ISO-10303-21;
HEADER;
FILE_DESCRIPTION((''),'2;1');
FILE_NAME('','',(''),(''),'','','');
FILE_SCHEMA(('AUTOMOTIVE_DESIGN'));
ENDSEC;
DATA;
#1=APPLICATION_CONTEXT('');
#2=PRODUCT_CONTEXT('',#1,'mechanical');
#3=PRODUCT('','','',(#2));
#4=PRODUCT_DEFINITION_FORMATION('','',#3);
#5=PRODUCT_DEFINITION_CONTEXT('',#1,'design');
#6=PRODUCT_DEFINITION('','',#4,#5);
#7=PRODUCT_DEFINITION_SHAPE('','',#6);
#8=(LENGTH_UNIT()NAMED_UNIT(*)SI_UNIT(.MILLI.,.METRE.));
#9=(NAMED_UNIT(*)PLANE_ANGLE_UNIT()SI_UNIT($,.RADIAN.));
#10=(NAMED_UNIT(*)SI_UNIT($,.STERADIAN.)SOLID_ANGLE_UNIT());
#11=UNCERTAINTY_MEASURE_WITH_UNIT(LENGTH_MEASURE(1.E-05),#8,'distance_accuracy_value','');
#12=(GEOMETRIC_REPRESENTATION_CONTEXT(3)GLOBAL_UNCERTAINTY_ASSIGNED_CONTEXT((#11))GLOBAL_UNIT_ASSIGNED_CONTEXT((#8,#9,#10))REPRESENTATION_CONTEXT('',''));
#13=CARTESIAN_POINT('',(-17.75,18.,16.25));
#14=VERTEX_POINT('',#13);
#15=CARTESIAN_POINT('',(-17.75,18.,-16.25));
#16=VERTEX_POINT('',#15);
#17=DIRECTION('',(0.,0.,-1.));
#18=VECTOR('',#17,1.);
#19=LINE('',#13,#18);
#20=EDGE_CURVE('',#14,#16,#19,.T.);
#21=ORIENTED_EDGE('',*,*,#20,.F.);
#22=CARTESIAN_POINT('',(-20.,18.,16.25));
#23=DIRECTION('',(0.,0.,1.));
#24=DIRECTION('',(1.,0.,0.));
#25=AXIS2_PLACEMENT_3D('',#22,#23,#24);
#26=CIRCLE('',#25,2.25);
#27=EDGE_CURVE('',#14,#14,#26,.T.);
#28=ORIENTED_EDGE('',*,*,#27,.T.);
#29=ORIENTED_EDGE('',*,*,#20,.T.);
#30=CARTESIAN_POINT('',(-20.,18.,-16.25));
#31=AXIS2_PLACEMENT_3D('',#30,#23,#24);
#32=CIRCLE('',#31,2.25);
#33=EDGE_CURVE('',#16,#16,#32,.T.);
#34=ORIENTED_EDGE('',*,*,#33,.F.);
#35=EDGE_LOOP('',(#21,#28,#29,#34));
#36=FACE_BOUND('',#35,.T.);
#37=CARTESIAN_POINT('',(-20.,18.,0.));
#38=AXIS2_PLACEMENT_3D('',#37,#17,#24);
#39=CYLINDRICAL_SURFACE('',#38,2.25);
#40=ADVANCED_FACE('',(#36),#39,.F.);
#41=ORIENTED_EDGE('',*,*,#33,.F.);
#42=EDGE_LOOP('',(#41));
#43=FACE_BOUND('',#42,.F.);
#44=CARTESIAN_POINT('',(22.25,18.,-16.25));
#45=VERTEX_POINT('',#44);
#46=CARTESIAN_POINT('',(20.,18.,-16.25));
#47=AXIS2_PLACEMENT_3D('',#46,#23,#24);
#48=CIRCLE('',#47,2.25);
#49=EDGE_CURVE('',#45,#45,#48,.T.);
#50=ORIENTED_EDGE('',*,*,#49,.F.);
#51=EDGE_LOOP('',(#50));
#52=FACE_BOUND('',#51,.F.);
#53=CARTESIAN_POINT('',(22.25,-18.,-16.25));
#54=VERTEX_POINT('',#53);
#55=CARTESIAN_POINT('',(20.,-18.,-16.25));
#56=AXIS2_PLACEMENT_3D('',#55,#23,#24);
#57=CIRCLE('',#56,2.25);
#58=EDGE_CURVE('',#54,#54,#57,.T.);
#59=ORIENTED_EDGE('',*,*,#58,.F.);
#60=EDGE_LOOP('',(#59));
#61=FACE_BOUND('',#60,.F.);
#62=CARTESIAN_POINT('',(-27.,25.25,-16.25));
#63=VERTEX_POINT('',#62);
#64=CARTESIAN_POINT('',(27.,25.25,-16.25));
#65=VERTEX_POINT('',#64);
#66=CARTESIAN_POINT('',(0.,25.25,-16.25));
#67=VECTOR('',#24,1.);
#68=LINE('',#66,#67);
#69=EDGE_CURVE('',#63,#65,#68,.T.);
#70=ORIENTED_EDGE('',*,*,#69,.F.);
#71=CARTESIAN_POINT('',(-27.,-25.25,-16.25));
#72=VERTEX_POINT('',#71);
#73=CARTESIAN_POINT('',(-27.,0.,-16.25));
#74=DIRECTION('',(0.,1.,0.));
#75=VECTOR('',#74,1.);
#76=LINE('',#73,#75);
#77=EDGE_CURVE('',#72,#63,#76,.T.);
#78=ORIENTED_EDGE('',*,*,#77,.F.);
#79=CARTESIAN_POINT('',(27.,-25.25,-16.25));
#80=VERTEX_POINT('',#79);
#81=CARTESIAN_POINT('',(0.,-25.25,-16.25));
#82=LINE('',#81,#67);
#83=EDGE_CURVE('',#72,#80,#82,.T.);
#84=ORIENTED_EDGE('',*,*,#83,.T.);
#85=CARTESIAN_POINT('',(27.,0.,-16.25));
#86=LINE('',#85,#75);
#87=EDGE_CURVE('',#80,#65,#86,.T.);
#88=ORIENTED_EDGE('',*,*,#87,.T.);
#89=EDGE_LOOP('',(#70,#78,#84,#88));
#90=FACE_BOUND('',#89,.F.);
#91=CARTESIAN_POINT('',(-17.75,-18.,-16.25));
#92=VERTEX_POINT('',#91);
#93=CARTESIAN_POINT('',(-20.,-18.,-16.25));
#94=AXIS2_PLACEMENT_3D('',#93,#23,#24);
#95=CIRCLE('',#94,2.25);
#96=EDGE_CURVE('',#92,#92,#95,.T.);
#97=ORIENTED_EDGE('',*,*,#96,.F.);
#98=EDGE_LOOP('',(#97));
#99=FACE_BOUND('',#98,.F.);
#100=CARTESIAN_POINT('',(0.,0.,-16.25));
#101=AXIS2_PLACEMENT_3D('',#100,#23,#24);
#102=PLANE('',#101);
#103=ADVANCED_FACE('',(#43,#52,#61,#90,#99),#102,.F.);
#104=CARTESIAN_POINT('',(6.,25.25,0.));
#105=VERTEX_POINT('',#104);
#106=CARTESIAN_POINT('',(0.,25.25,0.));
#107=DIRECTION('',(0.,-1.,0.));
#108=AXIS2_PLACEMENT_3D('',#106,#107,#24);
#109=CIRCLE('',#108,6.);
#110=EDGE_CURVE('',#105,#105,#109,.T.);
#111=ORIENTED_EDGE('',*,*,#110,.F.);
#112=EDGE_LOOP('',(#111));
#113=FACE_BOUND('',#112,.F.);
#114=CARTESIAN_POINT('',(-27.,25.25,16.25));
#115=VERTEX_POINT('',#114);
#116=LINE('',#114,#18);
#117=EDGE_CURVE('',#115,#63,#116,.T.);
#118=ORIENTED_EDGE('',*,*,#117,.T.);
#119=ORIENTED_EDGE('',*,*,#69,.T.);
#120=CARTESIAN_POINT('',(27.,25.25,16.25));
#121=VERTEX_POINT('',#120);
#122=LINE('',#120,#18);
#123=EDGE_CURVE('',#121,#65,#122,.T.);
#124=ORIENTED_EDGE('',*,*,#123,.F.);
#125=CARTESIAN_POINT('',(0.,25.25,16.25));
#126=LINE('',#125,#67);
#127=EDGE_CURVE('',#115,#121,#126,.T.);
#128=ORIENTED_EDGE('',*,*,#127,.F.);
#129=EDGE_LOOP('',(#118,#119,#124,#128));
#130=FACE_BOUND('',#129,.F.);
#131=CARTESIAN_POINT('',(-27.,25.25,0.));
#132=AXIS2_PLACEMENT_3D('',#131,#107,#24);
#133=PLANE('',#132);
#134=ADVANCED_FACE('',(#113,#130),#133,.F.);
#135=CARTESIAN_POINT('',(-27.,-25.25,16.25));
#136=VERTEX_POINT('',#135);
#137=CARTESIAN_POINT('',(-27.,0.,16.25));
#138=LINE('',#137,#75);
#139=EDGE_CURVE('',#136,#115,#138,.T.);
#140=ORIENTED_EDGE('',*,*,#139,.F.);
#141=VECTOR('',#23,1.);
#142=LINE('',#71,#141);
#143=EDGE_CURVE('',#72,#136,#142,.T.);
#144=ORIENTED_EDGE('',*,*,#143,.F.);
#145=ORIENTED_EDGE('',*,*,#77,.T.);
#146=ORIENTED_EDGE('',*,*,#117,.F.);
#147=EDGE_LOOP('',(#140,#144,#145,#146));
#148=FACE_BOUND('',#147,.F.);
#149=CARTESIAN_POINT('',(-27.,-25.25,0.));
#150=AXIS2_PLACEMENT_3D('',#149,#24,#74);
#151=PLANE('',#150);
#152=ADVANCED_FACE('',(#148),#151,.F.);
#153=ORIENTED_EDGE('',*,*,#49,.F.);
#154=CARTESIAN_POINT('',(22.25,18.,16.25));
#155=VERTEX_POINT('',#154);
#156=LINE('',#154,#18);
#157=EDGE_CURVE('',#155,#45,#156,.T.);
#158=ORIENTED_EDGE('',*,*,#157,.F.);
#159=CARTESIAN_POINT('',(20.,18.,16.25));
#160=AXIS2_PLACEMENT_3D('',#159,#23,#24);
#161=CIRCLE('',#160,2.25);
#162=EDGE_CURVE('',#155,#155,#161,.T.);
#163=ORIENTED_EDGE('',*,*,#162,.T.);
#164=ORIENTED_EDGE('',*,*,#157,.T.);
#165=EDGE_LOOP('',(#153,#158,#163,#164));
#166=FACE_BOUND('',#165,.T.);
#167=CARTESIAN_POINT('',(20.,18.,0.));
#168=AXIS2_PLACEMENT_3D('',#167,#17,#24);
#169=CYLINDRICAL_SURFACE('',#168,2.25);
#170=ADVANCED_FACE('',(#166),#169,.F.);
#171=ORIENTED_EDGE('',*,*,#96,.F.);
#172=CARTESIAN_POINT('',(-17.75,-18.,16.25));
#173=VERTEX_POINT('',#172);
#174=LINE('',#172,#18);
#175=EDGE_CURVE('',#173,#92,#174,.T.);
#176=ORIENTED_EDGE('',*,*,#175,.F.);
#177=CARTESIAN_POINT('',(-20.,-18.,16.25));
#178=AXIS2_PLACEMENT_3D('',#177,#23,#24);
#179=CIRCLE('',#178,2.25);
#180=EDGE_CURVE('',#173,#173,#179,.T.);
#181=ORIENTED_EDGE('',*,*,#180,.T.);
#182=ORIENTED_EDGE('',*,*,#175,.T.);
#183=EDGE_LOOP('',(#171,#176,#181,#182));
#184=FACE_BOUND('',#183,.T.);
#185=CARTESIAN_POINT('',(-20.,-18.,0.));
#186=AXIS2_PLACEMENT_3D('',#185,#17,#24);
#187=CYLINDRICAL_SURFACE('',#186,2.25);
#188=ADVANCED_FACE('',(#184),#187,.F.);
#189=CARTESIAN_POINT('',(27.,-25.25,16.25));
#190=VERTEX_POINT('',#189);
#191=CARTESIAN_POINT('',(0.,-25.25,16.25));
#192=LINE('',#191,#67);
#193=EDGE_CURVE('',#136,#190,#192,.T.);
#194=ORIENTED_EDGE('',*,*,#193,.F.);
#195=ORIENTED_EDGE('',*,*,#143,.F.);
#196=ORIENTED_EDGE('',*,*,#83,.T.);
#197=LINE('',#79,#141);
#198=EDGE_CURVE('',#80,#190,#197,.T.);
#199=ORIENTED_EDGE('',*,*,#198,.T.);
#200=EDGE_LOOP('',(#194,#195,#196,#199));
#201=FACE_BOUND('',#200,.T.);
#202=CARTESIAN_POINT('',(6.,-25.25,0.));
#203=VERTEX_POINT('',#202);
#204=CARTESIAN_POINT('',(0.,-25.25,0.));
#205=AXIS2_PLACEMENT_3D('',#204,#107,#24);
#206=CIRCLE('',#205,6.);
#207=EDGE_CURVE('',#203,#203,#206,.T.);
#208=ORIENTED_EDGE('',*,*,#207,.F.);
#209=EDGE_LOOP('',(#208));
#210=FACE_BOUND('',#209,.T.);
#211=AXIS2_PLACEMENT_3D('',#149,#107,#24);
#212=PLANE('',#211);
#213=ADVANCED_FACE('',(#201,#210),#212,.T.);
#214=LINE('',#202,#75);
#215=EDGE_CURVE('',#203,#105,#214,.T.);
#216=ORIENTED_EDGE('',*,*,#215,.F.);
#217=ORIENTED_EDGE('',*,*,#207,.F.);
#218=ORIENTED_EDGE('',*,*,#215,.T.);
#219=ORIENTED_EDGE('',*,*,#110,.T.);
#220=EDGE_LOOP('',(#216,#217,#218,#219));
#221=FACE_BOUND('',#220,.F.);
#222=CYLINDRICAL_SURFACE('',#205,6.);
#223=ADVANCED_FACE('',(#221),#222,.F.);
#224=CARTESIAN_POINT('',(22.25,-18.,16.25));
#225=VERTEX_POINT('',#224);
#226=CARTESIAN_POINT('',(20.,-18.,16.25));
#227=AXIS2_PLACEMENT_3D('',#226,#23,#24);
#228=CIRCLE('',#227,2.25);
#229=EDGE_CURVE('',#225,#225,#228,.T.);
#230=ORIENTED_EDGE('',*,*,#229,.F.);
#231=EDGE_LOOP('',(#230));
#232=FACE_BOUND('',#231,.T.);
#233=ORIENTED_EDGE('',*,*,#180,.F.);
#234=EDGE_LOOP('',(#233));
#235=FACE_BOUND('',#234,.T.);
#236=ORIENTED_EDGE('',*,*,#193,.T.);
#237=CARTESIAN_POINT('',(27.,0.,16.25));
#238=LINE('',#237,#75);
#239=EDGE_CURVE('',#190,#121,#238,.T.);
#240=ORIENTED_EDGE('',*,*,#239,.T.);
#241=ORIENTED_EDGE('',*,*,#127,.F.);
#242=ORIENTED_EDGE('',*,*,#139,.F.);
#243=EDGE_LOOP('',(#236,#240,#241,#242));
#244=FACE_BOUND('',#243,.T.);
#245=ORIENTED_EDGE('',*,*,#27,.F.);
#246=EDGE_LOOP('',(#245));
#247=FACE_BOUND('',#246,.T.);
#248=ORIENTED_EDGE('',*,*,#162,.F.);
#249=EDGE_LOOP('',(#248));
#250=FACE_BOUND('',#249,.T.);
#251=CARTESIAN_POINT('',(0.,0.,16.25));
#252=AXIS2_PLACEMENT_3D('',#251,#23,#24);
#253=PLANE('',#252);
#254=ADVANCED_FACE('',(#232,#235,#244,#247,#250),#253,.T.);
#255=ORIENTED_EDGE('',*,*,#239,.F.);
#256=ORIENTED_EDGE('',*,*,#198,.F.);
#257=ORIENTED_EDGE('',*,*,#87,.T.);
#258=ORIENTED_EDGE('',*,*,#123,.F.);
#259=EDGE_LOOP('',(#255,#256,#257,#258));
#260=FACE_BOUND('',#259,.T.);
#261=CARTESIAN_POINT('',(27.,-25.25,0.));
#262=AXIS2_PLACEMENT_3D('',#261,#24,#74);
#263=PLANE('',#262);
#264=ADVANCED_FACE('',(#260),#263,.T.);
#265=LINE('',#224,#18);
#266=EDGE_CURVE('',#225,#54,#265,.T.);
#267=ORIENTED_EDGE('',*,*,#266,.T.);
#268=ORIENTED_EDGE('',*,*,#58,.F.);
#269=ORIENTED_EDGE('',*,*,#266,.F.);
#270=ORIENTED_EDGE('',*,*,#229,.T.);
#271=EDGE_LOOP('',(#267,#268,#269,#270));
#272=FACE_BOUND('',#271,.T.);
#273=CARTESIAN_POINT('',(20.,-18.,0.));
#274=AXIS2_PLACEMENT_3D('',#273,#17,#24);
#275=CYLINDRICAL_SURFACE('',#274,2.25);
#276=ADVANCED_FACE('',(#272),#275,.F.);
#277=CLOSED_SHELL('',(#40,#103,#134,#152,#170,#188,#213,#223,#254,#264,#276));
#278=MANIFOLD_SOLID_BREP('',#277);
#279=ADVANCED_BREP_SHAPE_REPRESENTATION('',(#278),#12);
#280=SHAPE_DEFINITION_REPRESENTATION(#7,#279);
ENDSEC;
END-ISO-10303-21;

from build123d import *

# Parameters (mm, degrees)
SKETCH_W     = 54
SKETCH_H     = 50.5
SKETCH_R     = 2.25
PAD_DEPTH    = 16.25
SKETCH001_R  = 6
POCKET_DEPTH = 50.5


with BuildPart() as part:
    # Sketch → Pad (new body, symmetric)
    with BuildSketch(Plane.XY):
        Rectangle(SKETCH_W, SKETCH_H)
        with Locations((-20, 18)):
            Circle(SKETCH_R, mode=Mode.SUBTRACT)
        with Locations((-20, -18)):
            Circle(SKETCH_R, mode=Mode.SUBTRACT)
        with Locations((20, 18)):
            Circle(SKETCH_R, mode=Mode.SUBTRACT)
        with Locations((20, -18)):
            Circle(SKETCH_R, mode=Mode.SUBTRACT)
    extrude(amount=PAD_DEPTH, both=True)

    # Sketch001 → Pocket (cut)
    with BuildSketch(Plane.XZ.offset(25.25)):
        Circle(SKETCH001_R)
    extrude(amount=-POCKET_DEPTH, mode=Mode.SUBTRACT)


solid = part.part
